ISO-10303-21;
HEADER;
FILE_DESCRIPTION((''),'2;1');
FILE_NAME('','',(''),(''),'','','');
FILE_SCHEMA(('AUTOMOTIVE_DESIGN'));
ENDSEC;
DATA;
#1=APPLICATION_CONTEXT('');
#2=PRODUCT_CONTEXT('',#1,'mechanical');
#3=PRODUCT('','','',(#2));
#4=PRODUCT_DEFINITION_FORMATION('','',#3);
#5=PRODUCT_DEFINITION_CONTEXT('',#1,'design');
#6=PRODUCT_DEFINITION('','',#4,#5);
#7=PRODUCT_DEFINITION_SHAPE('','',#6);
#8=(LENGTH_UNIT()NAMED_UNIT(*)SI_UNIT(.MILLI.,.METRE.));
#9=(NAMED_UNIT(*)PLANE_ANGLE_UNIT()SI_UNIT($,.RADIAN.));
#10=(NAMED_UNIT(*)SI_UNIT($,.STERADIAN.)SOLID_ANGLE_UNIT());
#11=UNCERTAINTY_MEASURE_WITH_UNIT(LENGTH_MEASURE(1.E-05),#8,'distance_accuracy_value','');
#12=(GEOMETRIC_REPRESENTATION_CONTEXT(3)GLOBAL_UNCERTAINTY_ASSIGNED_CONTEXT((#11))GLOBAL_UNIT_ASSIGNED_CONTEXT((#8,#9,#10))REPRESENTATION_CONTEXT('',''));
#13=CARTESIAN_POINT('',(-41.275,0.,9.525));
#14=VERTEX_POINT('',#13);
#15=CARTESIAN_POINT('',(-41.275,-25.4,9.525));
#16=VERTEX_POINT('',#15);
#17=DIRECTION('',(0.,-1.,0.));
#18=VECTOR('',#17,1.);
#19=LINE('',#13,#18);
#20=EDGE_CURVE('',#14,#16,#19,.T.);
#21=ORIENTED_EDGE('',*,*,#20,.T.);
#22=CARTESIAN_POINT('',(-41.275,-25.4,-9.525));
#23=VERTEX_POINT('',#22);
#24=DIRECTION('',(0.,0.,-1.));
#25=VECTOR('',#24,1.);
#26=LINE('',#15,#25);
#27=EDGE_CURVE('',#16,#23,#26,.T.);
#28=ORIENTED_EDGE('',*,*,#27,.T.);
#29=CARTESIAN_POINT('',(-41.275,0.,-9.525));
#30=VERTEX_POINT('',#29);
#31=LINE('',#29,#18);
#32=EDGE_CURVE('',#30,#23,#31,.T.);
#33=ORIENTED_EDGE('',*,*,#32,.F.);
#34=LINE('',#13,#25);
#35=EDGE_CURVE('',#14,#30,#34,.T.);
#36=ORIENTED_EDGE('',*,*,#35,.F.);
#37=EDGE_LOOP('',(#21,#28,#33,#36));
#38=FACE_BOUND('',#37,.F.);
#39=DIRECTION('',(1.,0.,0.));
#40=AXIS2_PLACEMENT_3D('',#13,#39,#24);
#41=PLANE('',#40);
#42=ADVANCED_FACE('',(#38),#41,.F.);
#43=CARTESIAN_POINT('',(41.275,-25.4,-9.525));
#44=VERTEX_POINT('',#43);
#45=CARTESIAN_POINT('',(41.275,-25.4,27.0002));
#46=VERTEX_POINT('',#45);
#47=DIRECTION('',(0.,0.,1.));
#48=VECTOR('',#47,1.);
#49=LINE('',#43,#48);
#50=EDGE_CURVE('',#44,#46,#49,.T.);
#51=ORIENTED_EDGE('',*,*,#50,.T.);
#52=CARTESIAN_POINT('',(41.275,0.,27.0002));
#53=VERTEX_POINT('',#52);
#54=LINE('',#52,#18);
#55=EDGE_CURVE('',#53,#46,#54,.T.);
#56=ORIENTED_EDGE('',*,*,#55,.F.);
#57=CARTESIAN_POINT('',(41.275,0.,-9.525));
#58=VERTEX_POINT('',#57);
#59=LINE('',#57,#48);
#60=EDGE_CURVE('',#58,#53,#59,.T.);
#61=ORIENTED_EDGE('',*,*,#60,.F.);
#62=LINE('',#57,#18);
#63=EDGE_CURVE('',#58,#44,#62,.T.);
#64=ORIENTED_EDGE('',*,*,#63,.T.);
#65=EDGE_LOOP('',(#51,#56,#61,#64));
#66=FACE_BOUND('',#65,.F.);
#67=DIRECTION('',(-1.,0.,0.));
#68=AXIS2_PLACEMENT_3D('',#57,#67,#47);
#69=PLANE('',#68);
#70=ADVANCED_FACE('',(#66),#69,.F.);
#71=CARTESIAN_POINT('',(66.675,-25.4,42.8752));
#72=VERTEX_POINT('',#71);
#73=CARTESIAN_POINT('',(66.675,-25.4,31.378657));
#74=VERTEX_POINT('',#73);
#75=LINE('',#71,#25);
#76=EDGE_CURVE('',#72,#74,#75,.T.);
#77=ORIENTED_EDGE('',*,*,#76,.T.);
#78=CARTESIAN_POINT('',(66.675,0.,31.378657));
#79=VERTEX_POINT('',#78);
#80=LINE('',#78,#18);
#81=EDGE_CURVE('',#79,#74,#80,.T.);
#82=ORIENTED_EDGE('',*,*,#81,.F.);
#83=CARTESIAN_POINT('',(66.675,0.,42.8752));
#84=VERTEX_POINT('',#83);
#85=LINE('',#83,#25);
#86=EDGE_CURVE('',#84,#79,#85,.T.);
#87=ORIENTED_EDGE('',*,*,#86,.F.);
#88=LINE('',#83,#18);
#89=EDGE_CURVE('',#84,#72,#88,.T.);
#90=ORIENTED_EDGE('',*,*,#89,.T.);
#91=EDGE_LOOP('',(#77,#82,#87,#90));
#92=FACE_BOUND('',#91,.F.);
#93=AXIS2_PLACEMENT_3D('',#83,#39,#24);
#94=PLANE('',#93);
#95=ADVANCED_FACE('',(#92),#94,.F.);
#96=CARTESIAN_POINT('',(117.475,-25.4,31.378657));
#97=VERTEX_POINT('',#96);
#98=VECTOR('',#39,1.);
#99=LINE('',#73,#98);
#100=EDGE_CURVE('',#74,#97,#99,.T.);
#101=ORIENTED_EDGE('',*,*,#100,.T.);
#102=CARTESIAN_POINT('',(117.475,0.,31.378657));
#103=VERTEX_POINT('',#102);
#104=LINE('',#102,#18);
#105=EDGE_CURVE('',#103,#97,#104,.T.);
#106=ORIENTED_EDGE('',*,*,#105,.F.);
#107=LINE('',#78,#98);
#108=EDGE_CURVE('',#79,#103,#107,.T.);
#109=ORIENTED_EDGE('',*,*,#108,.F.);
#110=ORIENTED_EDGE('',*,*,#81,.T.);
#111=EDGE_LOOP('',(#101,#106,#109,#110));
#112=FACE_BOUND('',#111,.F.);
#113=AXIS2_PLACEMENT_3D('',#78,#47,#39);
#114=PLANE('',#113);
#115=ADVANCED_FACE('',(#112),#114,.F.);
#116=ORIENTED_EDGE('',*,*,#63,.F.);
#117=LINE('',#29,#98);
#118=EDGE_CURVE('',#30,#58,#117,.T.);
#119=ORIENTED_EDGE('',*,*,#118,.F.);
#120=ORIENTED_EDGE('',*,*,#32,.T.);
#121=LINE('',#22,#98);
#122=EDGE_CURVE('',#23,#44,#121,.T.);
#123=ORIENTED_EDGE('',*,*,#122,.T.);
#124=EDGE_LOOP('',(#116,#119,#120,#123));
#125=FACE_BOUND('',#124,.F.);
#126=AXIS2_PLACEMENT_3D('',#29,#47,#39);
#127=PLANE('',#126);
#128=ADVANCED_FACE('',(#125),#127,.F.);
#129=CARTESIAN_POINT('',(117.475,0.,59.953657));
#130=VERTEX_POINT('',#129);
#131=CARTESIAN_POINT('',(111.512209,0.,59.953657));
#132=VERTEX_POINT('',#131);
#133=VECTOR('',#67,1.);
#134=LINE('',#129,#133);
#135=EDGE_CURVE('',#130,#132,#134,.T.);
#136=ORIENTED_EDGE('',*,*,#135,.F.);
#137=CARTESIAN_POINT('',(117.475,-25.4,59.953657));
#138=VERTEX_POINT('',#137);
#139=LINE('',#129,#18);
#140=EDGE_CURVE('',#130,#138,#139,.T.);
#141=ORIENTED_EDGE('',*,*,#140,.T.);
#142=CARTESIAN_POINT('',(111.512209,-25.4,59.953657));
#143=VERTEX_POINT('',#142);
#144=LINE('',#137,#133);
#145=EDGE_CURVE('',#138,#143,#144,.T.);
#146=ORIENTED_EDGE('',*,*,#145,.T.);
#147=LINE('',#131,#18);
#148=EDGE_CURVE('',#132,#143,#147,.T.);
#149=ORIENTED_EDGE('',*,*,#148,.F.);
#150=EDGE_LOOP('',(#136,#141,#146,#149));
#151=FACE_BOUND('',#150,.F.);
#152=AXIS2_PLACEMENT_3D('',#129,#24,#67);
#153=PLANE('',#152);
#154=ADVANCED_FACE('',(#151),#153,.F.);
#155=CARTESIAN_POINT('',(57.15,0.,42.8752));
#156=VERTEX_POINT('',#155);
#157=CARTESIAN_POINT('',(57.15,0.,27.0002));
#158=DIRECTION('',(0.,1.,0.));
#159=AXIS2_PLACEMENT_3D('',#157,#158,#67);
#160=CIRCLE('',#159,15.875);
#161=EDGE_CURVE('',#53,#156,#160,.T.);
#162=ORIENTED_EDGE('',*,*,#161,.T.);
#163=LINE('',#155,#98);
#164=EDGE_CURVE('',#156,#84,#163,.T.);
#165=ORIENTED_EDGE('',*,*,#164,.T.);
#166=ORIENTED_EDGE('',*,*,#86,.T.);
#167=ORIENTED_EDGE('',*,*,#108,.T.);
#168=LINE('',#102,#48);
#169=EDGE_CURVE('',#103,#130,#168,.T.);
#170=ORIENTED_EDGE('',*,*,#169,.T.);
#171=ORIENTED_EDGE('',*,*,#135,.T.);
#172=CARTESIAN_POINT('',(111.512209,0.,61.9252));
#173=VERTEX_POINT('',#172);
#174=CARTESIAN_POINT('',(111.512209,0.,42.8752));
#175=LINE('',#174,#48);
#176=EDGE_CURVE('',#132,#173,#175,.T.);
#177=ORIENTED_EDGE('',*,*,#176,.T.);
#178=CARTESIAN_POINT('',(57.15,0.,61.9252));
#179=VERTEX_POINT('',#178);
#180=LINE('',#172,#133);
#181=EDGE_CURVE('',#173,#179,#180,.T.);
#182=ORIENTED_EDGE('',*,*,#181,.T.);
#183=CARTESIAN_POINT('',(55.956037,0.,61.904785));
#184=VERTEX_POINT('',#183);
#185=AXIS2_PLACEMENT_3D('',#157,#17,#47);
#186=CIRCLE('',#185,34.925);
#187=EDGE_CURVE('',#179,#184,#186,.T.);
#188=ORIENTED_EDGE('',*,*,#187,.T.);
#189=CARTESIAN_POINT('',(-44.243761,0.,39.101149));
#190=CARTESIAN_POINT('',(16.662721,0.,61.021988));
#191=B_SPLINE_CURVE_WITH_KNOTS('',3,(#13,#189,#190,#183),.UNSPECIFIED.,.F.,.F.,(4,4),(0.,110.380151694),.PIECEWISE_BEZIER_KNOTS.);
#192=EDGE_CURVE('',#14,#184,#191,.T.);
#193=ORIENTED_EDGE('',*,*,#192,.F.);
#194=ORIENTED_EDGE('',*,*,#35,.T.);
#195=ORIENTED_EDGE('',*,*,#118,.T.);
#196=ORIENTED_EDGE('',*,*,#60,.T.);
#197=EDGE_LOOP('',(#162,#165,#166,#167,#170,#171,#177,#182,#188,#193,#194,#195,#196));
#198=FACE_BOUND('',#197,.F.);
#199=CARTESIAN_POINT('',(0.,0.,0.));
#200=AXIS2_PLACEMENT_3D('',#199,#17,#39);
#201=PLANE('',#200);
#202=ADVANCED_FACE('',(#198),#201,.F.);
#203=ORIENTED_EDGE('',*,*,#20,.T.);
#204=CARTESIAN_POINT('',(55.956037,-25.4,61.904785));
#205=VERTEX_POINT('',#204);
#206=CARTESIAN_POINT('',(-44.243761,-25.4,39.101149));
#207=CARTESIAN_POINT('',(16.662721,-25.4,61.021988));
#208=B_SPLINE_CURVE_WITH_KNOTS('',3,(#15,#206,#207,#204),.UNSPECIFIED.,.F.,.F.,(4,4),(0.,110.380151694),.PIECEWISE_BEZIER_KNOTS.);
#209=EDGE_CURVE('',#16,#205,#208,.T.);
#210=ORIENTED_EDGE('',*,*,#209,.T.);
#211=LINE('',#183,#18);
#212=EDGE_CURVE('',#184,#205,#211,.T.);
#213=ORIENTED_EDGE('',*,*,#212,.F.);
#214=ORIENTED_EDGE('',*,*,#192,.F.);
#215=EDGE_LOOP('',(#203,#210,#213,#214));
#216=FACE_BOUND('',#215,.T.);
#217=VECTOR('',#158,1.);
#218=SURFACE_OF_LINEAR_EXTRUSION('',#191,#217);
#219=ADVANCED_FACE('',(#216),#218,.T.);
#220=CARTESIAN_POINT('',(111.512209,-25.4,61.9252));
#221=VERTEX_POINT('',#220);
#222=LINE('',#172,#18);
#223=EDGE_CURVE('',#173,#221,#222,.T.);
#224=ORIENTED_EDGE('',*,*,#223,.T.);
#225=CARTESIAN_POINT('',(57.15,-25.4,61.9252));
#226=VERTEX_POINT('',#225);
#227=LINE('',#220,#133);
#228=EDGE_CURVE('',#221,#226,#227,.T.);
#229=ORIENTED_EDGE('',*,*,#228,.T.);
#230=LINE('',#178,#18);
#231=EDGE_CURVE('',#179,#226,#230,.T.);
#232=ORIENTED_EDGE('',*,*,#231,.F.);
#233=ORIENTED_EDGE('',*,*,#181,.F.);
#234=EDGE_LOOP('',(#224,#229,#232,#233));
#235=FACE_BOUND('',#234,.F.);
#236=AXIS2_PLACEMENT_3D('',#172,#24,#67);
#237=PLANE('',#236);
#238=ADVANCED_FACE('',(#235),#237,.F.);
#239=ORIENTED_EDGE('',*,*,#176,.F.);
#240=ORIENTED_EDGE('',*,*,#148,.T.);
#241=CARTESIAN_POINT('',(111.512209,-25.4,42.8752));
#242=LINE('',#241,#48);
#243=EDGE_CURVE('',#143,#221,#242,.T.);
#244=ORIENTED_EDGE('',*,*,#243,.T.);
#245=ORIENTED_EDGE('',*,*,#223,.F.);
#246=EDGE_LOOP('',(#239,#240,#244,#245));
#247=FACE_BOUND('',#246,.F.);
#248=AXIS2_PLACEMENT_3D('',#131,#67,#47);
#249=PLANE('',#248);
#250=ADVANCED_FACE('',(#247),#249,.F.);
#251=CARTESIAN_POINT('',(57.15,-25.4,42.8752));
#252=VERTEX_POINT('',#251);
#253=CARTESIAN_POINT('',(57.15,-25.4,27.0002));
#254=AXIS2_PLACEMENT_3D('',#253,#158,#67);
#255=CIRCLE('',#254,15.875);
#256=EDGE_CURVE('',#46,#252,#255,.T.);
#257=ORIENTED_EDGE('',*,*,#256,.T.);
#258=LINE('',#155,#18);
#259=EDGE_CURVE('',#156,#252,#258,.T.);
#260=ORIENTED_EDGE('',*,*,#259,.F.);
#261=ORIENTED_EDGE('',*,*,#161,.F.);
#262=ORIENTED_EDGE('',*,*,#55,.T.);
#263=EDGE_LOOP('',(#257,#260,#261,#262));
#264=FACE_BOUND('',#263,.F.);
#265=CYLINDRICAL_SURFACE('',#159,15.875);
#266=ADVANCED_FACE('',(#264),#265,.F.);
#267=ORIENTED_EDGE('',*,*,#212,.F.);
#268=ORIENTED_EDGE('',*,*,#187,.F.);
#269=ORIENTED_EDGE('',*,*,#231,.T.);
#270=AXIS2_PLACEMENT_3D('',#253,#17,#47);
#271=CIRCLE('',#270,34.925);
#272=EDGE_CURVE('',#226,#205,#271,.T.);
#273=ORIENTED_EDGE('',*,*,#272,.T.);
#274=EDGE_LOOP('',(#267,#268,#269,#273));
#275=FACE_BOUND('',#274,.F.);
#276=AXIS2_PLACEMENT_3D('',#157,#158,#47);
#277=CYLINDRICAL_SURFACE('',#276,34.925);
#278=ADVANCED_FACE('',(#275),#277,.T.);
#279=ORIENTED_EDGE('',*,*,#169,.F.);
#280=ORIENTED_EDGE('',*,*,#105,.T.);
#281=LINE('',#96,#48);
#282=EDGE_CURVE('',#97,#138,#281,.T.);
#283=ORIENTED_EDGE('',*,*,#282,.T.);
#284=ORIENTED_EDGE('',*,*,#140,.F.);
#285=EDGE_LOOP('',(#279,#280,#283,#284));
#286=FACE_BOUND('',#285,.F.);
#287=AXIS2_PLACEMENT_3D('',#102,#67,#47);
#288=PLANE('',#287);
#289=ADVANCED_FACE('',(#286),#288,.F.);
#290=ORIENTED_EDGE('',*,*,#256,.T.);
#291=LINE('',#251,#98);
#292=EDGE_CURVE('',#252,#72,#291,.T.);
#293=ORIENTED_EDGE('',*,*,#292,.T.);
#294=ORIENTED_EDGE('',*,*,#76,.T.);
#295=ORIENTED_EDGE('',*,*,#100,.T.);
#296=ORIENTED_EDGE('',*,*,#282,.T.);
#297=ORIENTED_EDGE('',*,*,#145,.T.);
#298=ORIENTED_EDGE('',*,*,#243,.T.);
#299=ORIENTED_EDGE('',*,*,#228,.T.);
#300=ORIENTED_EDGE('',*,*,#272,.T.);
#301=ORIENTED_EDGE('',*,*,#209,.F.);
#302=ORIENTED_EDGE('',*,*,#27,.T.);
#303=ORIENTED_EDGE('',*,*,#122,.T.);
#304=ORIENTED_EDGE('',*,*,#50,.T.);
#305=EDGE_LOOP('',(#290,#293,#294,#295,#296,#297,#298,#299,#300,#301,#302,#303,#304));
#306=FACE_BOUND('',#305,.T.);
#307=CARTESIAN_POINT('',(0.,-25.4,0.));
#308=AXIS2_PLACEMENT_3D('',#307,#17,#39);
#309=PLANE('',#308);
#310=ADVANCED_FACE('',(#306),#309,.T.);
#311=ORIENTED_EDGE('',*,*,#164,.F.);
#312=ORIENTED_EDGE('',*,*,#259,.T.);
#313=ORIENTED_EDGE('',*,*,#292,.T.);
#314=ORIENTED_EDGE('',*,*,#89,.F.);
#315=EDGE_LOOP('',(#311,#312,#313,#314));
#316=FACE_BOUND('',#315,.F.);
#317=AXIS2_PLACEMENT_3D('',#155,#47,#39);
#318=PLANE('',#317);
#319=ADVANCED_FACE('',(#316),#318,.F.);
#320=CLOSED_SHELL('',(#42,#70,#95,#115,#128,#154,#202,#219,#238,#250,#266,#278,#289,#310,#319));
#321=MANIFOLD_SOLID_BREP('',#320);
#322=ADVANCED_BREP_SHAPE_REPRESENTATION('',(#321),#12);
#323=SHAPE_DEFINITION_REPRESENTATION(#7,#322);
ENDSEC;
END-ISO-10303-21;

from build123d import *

# Parameters (mm, degrees)
F0_W     = 44.8372086644
F0_H     = 17.0784566257
F1_DEPTH = 25.4


with BuildPart() as f1:
    # F0 (on Front) → F1 (new body)
    with BuildSketch(Plane.XZ):
        Polygon((41.275, -9.525), (41.275, 9.525), (22.225, 9.525), (-41.275, 9.525), (-41.275, -9.525), align=None)
        with BuildLine():
            Line((22.225, 9.525), (41.275, 9.525))
            Line((41.275, 9.525), (41.275, 27.0002))
            ThreePointArc((41.275, 27.0002), (45.9246798487, 38.2255201513), (57.15, 42.8752))
            Line((57.15, 42.8752), (66.675, 42.8752))
            Line((66.675, 42.8752), (66.675, 59.9536566257))
            Line((66.675, 59.9536566257), (111.5122086644, 59.9536566257))
            Line((111.5122086644, 59.9536566257), (111.5122086644, 61.9252))
            Line((111.5122086644, 61.9252), (57.15, 61.9252))
            add(Edge.make_bspline(
                [(55.9560374295, 61.9047853489), (56.3562977469, 61.9137779441), (56.7543153906, 61.9205875429), (57.15, 61.9252)],
                knots=[110.380151694, 110.380151694, 110.380151694, 110.380151694, 111.5045361635, 111.5045361635, 111.5045361635, 111.5045361635], degree=3))
            ThreePointArc((55.9560374295, 61.9047853489), (32.0357135501, 51.2701040194), (22.225, 27.0002))
            Line((22.225, 27.0002), (22.225, 9.525))
        make_face()
        with BuildLine():
            Line((-41.275, 9.525), (22.225, 9.525))
            Line((22.225, 9.525), (22.225, 27.0002))
            ThreePointArc((22.225, 27.0002), (32.0357135501, 51.2701040194), (55.9560374295, 61.9047853489))
            add(Edge.make_bspline(
                [(-41.275, 9.525), (-44.2437611078, 39.1011486403), (16.6627211733, 61.0219876524), (55.9560374295, 61.9047853489)],
                knots=[0, 0, 0, 0, 110.380151694, 110.380151694, 110.380151694, 110.380151694], degree=3))
        make_face()
        with BuildLine():
            ThreePointArc((57.15, 61.9252), (56.5529314575, 61.9200959643), (55.9560374295, 61.9047853489))
            add(Edge.make_bspline(
                [(55.9560374295, 61.9047853489), (56.3562977469, 61.9137779441), (56.7543153906, 61.9205875429), (57.15, 61.9252)],
                knots=[110.380151694, 110.380151694, 110.380151694, 110.380151694, 111.5045361635, 111.5045361635, 111.5045361635, 111.5045361635], degree=3))
        make_face()
        with Locations((89.0936043322, 51.4144283129)):
            Rectangle(F0_W, F0_H)
        Polygon((111.5122086644, 42.8752), (66.675, 42.8752), (66.675, 31.3786566257), (117.475, 31.3786566257), (117.475, 59.9536566257), (111.5122086644, 59.9536566257), align=None)
    extrude(amount=F1_DEPTH)


solid = f1.part
